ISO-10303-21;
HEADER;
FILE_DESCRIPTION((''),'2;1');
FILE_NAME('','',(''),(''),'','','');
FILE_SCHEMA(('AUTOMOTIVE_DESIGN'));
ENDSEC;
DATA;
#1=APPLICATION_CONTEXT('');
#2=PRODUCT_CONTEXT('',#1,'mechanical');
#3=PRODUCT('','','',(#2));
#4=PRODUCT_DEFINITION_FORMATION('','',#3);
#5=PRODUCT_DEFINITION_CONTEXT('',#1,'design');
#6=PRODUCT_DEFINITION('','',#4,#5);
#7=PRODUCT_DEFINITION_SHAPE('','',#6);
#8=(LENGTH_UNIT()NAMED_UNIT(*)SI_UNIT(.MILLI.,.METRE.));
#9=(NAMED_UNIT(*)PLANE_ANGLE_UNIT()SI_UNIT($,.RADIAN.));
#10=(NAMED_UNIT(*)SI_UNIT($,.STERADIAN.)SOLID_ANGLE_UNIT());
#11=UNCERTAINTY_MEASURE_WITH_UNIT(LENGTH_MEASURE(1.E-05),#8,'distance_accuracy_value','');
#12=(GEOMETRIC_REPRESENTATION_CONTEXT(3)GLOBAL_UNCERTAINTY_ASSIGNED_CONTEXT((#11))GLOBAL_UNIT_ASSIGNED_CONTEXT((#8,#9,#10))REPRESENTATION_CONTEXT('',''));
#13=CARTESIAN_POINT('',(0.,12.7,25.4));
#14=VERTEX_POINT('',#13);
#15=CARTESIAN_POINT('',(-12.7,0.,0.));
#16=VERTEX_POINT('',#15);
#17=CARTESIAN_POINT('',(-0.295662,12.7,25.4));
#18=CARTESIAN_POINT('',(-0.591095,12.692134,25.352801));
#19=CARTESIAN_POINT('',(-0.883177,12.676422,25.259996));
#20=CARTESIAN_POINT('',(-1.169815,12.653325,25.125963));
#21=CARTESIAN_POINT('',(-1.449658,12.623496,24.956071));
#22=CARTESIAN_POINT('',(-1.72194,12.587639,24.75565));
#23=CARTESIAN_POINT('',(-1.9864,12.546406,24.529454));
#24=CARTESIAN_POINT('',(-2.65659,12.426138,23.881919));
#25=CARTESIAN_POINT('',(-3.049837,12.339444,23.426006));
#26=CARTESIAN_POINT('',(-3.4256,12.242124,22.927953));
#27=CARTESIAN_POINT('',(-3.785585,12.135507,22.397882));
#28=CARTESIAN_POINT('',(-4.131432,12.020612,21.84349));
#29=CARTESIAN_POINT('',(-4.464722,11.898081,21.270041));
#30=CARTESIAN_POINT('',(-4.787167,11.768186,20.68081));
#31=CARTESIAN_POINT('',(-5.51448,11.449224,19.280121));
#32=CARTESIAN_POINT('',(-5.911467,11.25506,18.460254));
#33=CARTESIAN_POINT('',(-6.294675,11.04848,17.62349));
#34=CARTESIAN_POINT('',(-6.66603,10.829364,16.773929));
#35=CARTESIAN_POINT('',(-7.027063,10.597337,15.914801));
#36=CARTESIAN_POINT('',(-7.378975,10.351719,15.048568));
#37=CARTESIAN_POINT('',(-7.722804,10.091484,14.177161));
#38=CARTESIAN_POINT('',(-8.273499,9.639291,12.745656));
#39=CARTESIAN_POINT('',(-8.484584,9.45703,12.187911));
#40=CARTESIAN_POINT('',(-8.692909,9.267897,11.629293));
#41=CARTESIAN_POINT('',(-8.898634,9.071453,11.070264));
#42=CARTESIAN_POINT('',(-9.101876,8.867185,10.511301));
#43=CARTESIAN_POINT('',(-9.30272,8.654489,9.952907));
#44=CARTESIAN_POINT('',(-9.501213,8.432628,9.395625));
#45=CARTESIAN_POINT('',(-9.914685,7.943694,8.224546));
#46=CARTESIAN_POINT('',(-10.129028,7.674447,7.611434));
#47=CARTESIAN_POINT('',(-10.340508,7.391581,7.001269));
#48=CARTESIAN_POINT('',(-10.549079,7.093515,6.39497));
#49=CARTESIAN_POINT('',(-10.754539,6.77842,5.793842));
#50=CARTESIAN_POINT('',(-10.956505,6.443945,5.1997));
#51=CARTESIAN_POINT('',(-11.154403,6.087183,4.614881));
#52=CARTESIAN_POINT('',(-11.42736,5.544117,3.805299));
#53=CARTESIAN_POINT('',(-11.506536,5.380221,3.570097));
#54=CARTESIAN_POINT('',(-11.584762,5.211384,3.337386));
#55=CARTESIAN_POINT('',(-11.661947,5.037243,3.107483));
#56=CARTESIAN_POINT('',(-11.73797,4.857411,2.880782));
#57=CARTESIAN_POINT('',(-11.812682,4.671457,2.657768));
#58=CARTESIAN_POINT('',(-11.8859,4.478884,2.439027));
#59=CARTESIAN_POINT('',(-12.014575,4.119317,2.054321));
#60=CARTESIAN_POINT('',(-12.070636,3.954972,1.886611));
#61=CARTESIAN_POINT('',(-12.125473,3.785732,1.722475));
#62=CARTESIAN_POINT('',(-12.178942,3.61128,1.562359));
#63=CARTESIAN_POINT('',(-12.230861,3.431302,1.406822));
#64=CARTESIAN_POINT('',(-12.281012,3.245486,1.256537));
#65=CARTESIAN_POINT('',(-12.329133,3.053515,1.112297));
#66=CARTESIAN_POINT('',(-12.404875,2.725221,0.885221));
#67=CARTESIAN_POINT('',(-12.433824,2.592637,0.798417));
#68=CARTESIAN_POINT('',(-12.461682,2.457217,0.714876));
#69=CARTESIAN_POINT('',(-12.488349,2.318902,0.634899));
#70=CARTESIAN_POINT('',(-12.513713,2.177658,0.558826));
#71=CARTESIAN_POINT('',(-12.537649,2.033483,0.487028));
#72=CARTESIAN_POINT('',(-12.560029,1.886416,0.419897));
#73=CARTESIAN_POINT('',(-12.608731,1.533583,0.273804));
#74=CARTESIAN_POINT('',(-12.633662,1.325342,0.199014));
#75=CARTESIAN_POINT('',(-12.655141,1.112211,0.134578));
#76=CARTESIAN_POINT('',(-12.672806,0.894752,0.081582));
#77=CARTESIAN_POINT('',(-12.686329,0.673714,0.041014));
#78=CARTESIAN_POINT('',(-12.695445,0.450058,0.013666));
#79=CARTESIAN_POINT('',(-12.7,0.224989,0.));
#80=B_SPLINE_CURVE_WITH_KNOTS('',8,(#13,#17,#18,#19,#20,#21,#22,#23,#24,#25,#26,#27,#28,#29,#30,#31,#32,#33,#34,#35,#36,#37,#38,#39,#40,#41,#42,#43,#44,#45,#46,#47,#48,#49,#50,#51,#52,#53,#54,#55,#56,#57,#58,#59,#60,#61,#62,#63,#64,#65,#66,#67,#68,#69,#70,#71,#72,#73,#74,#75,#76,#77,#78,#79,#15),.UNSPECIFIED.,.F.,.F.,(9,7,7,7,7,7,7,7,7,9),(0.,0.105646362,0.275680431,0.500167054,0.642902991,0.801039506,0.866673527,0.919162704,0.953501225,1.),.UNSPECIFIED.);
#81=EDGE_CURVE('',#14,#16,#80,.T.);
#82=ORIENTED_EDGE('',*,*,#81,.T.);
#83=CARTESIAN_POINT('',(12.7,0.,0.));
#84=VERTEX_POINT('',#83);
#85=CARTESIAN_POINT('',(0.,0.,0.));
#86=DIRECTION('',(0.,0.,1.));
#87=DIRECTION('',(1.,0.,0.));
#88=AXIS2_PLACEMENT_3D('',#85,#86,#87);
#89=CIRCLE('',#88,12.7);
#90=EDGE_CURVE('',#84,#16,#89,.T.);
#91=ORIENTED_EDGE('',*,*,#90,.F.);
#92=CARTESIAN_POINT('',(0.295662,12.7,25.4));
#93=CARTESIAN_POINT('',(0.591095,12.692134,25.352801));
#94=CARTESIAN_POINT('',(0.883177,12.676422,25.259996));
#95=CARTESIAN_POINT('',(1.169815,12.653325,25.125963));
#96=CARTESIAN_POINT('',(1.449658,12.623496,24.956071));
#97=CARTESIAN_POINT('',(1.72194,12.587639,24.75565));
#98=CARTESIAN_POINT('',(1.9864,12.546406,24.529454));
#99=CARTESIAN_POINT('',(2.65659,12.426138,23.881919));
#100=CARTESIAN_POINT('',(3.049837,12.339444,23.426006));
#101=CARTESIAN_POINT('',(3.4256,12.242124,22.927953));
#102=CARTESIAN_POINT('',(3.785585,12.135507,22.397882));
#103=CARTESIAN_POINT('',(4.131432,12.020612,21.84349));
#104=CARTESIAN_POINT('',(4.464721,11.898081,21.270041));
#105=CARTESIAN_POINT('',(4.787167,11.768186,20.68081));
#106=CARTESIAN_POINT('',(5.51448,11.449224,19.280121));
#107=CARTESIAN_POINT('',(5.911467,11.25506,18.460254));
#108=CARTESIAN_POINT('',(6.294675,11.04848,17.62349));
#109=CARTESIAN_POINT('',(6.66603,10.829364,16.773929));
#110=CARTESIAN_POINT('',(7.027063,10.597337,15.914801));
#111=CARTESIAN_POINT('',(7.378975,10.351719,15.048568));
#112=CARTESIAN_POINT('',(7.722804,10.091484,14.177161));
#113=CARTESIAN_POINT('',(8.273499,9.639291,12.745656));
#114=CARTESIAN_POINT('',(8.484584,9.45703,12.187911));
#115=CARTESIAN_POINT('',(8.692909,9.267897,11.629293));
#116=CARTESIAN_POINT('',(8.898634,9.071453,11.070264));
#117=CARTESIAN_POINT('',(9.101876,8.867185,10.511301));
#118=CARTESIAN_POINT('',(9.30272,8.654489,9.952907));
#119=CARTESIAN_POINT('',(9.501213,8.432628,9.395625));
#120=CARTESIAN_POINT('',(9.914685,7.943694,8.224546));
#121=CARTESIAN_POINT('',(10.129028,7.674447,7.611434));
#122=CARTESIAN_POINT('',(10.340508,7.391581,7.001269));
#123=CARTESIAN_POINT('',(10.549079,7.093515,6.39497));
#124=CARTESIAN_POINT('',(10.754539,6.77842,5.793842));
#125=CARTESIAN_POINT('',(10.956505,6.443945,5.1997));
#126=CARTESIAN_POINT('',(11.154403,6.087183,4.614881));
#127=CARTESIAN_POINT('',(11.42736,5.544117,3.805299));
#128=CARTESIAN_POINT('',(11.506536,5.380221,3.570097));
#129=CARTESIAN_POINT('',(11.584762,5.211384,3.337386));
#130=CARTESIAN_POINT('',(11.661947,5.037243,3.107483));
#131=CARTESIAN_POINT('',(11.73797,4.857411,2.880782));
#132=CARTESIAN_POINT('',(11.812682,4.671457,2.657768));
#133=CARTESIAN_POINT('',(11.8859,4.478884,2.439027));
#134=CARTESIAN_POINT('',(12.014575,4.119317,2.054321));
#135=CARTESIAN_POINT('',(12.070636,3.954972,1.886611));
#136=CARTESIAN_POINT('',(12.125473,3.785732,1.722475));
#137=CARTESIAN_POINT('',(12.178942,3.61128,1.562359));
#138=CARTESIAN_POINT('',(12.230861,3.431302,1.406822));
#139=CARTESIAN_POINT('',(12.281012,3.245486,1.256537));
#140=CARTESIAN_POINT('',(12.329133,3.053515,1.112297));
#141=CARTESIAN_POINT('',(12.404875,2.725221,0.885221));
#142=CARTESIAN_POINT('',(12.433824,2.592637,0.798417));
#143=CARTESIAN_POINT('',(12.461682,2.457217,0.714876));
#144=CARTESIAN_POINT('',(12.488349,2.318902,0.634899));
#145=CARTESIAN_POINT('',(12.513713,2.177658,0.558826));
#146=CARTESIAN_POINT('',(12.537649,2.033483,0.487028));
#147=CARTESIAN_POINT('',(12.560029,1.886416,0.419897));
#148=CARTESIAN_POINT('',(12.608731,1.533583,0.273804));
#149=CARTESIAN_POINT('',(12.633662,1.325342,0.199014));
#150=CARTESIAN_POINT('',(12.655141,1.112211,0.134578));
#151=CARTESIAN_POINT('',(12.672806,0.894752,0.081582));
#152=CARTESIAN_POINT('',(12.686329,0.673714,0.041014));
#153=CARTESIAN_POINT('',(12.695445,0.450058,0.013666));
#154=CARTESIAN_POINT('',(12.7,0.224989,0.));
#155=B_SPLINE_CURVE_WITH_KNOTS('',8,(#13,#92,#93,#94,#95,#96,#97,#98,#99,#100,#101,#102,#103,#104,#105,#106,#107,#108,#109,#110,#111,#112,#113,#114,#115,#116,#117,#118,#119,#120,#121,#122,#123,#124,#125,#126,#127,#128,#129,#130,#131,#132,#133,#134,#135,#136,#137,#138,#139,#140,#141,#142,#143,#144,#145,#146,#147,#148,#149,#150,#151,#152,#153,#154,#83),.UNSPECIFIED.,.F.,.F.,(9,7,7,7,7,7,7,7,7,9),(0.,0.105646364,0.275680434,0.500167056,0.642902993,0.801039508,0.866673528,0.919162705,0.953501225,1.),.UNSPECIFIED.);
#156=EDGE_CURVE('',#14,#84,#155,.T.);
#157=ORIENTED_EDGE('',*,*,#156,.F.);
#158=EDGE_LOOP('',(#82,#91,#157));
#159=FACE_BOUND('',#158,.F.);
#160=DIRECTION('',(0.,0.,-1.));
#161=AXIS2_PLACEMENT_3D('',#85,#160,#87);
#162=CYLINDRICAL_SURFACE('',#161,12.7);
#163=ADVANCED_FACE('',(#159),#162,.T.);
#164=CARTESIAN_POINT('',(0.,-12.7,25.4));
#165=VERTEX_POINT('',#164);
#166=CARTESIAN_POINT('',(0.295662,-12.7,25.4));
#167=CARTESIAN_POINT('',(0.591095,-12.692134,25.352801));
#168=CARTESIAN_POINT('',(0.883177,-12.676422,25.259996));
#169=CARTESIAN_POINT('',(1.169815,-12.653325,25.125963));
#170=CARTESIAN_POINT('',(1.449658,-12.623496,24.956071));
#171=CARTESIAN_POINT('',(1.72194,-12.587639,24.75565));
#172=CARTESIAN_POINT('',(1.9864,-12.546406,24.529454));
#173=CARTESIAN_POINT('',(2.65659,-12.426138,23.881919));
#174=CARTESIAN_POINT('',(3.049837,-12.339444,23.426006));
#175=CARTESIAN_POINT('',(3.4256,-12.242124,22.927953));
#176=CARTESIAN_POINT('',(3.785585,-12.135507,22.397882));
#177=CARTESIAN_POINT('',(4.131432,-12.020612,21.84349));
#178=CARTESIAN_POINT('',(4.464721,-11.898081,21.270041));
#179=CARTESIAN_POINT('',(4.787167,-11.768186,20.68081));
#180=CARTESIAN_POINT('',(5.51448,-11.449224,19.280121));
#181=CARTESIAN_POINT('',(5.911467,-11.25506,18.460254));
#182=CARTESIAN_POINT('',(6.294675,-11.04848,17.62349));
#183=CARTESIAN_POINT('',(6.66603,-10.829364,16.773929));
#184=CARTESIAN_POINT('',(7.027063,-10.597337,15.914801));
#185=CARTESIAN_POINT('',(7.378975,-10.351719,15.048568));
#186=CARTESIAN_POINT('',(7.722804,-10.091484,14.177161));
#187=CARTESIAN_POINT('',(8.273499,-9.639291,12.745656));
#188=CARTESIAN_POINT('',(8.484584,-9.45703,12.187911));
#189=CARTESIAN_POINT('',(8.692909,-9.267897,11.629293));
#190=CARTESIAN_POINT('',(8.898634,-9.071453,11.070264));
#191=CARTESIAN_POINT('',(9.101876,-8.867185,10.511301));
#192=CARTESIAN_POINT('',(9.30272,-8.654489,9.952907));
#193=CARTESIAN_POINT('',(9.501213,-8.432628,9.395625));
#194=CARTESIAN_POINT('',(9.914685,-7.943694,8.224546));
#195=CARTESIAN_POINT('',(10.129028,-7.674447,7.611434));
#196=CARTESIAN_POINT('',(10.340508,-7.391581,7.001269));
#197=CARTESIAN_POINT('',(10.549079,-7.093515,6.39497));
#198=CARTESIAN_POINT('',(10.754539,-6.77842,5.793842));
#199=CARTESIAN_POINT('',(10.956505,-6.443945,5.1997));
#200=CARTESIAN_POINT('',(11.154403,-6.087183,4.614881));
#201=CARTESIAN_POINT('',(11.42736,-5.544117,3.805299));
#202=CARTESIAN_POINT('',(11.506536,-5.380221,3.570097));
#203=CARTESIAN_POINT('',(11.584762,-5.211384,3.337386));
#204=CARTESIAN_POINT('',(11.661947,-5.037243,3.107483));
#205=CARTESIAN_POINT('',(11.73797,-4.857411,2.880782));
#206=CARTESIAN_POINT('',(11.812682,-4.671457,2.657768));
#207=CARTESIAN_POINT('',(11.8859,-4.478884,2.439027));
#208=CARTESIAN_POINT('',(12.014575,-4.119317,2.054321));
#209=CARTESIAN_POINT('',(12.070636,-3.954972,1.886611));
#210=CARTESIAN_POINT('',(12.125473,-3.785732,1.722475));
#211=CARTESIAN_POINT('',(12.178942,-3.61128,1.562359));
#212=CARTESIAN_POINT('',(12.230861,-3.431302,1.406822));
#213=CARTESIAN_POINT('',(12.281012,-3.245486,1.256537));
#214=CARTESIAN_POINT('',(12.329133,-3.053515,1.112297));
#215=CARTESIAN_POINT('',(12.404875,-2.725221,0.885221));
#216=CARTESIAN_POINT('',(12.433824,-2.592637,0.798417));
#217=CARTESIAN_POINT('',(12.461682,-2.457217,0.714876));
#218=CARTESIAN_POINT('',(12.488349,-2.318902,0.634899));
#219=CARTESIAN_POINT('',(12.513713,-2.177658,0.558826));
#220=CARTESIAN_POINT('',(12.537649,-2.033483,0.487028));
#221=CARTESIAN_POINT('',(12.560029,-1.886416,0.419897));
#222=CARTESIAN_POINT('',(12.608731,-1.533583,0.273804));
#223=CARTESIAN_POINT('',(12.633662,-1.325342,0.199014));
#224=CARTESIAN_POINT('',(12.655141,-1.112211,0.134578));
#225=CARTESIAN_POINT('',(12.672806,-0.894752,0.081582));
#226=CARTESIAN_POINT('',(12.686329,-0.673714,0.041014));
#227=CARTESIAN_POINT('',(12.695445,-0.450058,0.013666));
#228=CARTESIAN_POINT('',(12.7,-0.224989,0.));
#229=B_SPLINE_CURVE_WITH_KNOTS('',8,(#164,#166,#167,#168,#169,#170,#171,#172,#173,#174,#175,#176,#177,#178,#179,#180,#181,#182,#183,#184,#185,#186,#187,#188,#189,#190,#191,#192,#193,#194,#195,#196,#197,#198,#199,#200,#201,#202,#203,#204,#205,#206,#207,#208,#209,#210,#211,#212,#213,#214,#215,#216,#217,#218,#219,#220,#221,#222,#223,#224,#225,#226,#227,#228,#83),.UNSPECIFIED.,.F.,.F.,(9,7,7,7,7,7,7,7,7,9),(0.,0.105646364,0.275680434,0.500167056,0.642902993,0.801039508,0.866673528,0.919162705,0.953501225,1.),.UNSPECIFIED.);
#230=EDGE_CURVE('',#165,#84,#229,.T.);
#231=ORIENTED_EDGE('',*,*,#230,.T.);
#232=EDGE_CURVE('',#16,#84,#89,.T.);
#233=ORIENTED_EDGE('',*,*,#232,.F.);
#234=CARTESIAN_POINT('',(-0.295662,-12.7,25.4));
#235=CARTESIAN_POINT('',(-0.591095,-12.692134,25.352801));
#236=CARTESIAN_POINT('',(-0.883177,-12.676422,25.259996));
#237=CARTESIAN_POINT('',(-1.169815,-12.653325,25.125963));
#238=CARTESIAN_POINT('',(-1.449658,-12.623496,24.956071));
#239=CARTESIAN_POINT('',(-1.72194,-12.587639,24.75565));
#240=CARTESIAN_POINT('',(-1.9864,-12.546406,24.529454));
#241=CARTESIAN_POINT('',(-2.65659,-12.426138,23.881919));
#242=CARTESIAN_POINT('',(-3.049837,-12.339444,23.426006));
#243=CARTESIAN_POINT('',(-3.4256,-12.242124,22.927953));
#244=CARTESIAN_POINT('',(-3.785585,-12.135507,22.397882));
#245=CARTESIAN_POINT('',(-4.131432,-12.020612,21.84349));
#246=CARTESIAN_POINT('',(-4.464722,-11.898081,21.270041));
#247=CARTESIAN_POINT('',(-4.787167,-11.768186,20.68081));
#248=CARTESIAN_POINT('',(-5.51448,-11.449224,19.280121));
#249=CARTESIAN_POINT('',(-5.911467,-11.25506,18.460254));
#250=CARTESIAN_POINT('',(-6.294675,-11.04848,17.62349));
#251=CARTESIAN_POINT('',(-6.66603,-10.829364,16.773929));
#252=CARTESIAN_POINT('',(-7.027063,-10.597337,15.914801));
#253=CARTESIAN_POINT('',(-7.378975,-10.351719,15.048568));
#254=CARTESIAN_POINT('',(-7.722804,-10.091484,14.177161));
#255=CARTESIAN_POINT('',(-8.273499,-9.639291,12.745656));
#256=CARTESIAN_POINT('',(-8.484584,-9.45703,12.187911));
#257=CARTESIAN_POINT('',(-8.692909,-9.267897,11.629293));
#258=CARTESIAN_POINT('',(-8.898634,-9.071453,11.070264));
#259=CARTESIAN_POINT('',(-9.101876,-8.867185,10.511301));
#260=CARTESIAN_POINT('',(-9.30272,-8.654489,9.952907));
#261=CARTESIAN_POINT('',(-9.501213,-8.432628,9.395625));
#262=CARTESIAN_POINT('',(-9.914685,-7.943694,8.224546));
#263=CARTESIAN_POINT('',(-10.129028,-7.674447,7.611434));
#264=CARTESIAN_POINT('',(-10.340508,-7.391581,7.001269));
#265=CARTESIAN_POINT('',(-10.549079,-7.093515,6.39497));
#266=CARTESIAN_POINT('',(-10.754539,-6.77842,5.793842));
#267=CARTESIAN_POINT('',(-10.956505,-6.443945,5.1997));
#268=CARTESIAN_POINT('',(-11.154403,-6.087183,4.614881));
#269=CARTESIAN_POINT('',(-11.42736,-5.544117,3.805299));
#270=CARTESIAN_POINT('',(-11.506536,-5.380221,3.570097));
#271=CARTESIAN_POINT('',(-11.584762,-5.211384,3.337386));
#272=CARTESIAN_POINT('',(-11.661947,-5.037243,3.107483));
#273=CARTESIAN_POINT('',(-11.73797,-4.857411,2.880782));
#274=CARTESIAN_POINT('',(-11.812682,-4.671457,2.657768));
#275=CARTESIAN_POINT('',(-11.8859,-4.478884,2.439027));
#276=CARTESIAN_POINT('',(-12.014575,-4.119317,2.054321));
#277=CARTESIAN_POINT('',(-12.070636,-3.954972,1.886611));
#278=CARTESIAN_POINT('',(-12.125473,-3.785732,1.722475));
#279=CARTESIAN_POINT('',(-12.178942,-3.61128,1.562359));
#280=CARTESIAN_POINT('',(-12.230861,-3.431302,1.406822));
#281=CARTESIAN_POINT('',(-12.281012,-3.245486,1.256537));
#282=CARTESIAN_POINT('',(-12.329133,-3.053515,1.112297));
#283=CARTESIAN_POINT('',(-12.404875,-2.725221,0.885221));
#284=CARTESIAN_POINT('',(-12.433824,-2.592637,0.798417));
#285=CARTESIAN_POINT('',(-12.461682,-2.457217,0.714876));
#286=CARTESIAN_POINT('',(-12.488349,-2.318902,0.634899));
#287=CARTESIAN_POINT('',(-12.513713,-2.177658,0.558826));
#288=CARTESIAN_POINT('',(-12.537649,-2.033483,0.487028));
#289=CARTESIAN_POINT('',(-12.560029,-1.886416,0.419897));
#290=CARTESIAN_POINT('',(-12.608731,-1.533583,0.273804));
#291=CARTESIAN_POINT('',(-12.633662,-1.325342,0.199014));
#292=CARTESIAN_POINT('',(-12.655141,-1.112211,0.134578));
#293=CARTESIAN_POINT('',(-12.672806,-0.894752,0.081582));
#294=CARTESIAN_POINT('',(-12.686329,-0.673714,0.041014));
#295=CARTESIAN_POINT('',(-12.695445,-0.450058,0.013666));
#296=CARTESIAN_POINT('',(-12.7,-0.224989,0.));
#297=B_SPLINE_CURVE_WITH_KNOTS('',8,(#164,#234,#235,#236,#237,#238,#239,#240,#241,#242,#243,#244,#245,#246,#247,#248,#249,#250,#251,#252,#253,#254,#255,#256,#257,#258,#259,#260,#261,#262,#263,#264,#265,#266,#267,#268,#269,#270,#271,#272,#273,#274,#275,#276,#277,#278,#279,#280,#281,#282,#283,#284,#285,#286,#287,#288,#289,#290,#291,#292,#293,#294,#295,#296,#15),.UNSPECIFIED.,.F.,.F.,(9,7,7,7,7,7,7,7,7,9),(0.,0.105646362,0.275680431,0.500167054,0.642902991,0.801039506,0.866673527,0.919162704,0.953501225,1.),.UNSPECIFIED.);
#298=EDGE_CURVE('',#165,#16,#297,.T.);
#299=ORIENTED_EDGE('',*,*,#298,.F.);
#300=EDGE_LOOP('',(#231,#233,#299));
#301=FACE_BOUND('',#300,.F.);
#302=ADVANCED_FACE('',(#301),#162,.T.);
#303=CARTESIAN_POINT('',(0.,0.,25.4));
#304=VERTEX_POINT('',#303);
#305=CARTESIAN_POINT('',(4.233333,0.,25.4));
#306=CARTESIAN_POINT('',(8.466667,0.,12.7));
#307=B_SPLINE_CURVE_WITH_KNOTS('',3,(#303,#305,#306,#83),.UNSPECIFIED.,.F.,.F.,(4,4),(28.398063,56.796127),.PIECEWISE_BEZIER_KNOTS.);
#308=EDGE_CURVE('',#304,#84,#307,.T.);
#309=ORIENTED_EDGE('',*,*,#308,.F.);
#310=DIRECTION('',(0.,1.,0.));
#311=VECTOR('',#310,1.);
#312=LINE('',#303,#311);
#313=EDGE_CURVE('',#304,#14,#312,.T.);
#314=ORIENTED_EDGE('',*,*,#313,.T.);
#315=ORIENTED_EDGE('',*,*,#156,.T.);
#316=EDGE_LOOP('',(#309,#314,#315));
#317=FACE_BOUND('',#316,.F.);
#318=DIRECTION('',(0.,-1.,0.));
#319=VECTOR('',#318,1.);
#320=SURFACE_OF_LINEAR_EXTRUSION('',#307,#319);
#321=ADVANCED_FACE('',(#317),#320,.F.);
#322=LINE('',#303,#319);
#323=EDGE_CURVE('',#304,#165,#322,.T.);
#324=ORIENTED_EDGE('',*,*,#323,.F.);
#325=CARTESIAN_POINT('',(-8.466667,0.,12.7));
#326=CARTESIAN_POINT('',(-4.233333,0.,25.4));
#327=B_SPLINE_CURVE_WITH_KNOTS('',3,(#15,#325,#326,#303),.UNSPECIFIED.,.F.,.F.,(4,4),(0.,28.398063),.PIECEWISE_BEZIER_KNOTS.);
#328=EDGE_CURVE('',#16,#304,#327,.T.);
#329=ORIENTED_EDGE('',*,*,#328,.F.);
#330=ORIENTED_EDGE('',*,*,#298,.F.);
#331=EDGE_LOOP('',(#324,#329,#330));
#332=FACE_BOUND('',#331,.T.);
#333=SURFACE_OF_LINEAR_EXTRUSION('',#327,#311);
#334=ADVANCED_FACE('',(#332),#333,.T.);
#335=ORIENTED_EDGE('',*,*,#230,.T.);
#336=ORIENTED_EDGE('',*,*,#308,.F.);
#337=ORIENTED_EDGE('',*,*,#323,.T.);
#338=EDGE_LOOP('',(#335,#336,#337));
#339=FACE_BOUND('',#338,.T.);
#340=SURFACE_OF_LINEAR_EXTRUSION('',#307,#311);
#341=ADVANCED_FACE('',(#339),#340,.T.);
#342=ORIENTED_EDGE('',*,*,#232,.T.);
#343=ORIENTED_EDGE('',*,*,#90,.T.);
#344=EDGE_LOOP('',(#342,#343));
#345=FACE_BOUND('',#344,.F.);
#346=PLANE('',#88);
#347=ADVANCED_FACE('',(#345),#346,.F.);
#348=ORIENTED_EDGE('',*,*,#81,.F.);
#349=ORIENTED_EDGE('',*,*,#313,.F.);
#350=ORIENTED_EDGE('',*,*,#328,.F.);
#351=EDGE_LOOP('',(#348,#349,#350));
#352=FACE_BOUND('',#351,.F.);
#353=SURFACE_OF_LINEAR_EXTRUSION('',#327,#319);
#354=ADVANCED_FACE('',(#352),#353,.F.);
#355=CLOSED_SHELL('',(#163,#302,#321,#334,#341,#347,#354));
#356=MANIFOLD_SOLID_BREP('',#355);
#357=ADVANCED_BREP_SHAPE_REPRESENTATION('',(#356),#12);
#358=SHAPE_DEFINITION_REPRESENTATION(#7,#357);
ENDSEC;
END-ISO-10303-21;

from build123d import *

# Parameters (mm, degrees)
F0_R     = 12.7
F1_DEPTH = 25.4
F3_DEPTH = 25.4
F6_DEPTH = 76.2


with BuildPart() as f1:
    # F0 (on Top) → F1 (new body)
    with BuildSketch(Plane.XY):
        Circle(F0_R)
    extrude(amount=F1_DEPTH)

    # F2 (on Front) → F3 (cut, symmetric)
    with BuildSketch(Plane.XZ):
        with BuildLine():
            Line((-12.7, 25.4), (-12.7, 0))
            add(Edge.make_bspline(
                [(-12.7, 0), (-8.466667, 12.7), (-4.233333, 25.4), (0, 25.4)],
                knots=[0, 0, 0, 0, 28.398063, 28.398063, 28.398063, 28.398063], degree=3))
            Line((0, 25.4), (-12.7, 25.4))
        make_face()
        with BuildLine():
            Line((12.7, 25.4), (0, 25.4))
            add(Edge.make_bspline(
                [(0, 25.4), (4.233333, 25.4), (8.466667, 12.7), (12.7, 0)],
                knots=[28.398063, 28.398063, 28.398063, 28.398063, 56.796127, 56.796127, 56.796127, 56.796127], degree=3))
            Line((12.7, 0), (12.7, 25.4))
        make_face()
    extrude(amount=F3_DEPTH, both=True, mode=Mode.SUBTRACT)

    # F5 (on offset) → F6 (cut)
    with BuildSketch(Plane.XZ.offset(25.4)):
        with BuildLine():
            add(Edge.make_bspline(
                [(0, 25.4), (4.233333, 25.4), (8.466667, 12.7), (12.7, 0)],
                knots=[28.398063, 28.398063, 28.398063, 28.398063, 56.796127, 56.796127, 56.796127, 56.796127], degree=3))
            Line((12.7, 0), (12.7, 25.4))
            Line((12.7, 25.4), (0, 25.4))
        make_face()
        with BuildLine():
            Line((-12.7, 25.4), (-12.7, 0))
            add(Edge.make_bspline(
                [(-12.7, 0), (-8.466667, 12.7), (-4.233333, 25.4), (0, 25.4)],
                knots=[0, 0, 0, 0, 28.398063, 28.398063, 28.398063, 28.398063], degree=3))
            Line((0, 25.4), (-12.7, 25.4))
        make_face()
    extrude(amount=-F6_DEPTH, mode=Mode.SUBTRACT)


solid = f1.part
